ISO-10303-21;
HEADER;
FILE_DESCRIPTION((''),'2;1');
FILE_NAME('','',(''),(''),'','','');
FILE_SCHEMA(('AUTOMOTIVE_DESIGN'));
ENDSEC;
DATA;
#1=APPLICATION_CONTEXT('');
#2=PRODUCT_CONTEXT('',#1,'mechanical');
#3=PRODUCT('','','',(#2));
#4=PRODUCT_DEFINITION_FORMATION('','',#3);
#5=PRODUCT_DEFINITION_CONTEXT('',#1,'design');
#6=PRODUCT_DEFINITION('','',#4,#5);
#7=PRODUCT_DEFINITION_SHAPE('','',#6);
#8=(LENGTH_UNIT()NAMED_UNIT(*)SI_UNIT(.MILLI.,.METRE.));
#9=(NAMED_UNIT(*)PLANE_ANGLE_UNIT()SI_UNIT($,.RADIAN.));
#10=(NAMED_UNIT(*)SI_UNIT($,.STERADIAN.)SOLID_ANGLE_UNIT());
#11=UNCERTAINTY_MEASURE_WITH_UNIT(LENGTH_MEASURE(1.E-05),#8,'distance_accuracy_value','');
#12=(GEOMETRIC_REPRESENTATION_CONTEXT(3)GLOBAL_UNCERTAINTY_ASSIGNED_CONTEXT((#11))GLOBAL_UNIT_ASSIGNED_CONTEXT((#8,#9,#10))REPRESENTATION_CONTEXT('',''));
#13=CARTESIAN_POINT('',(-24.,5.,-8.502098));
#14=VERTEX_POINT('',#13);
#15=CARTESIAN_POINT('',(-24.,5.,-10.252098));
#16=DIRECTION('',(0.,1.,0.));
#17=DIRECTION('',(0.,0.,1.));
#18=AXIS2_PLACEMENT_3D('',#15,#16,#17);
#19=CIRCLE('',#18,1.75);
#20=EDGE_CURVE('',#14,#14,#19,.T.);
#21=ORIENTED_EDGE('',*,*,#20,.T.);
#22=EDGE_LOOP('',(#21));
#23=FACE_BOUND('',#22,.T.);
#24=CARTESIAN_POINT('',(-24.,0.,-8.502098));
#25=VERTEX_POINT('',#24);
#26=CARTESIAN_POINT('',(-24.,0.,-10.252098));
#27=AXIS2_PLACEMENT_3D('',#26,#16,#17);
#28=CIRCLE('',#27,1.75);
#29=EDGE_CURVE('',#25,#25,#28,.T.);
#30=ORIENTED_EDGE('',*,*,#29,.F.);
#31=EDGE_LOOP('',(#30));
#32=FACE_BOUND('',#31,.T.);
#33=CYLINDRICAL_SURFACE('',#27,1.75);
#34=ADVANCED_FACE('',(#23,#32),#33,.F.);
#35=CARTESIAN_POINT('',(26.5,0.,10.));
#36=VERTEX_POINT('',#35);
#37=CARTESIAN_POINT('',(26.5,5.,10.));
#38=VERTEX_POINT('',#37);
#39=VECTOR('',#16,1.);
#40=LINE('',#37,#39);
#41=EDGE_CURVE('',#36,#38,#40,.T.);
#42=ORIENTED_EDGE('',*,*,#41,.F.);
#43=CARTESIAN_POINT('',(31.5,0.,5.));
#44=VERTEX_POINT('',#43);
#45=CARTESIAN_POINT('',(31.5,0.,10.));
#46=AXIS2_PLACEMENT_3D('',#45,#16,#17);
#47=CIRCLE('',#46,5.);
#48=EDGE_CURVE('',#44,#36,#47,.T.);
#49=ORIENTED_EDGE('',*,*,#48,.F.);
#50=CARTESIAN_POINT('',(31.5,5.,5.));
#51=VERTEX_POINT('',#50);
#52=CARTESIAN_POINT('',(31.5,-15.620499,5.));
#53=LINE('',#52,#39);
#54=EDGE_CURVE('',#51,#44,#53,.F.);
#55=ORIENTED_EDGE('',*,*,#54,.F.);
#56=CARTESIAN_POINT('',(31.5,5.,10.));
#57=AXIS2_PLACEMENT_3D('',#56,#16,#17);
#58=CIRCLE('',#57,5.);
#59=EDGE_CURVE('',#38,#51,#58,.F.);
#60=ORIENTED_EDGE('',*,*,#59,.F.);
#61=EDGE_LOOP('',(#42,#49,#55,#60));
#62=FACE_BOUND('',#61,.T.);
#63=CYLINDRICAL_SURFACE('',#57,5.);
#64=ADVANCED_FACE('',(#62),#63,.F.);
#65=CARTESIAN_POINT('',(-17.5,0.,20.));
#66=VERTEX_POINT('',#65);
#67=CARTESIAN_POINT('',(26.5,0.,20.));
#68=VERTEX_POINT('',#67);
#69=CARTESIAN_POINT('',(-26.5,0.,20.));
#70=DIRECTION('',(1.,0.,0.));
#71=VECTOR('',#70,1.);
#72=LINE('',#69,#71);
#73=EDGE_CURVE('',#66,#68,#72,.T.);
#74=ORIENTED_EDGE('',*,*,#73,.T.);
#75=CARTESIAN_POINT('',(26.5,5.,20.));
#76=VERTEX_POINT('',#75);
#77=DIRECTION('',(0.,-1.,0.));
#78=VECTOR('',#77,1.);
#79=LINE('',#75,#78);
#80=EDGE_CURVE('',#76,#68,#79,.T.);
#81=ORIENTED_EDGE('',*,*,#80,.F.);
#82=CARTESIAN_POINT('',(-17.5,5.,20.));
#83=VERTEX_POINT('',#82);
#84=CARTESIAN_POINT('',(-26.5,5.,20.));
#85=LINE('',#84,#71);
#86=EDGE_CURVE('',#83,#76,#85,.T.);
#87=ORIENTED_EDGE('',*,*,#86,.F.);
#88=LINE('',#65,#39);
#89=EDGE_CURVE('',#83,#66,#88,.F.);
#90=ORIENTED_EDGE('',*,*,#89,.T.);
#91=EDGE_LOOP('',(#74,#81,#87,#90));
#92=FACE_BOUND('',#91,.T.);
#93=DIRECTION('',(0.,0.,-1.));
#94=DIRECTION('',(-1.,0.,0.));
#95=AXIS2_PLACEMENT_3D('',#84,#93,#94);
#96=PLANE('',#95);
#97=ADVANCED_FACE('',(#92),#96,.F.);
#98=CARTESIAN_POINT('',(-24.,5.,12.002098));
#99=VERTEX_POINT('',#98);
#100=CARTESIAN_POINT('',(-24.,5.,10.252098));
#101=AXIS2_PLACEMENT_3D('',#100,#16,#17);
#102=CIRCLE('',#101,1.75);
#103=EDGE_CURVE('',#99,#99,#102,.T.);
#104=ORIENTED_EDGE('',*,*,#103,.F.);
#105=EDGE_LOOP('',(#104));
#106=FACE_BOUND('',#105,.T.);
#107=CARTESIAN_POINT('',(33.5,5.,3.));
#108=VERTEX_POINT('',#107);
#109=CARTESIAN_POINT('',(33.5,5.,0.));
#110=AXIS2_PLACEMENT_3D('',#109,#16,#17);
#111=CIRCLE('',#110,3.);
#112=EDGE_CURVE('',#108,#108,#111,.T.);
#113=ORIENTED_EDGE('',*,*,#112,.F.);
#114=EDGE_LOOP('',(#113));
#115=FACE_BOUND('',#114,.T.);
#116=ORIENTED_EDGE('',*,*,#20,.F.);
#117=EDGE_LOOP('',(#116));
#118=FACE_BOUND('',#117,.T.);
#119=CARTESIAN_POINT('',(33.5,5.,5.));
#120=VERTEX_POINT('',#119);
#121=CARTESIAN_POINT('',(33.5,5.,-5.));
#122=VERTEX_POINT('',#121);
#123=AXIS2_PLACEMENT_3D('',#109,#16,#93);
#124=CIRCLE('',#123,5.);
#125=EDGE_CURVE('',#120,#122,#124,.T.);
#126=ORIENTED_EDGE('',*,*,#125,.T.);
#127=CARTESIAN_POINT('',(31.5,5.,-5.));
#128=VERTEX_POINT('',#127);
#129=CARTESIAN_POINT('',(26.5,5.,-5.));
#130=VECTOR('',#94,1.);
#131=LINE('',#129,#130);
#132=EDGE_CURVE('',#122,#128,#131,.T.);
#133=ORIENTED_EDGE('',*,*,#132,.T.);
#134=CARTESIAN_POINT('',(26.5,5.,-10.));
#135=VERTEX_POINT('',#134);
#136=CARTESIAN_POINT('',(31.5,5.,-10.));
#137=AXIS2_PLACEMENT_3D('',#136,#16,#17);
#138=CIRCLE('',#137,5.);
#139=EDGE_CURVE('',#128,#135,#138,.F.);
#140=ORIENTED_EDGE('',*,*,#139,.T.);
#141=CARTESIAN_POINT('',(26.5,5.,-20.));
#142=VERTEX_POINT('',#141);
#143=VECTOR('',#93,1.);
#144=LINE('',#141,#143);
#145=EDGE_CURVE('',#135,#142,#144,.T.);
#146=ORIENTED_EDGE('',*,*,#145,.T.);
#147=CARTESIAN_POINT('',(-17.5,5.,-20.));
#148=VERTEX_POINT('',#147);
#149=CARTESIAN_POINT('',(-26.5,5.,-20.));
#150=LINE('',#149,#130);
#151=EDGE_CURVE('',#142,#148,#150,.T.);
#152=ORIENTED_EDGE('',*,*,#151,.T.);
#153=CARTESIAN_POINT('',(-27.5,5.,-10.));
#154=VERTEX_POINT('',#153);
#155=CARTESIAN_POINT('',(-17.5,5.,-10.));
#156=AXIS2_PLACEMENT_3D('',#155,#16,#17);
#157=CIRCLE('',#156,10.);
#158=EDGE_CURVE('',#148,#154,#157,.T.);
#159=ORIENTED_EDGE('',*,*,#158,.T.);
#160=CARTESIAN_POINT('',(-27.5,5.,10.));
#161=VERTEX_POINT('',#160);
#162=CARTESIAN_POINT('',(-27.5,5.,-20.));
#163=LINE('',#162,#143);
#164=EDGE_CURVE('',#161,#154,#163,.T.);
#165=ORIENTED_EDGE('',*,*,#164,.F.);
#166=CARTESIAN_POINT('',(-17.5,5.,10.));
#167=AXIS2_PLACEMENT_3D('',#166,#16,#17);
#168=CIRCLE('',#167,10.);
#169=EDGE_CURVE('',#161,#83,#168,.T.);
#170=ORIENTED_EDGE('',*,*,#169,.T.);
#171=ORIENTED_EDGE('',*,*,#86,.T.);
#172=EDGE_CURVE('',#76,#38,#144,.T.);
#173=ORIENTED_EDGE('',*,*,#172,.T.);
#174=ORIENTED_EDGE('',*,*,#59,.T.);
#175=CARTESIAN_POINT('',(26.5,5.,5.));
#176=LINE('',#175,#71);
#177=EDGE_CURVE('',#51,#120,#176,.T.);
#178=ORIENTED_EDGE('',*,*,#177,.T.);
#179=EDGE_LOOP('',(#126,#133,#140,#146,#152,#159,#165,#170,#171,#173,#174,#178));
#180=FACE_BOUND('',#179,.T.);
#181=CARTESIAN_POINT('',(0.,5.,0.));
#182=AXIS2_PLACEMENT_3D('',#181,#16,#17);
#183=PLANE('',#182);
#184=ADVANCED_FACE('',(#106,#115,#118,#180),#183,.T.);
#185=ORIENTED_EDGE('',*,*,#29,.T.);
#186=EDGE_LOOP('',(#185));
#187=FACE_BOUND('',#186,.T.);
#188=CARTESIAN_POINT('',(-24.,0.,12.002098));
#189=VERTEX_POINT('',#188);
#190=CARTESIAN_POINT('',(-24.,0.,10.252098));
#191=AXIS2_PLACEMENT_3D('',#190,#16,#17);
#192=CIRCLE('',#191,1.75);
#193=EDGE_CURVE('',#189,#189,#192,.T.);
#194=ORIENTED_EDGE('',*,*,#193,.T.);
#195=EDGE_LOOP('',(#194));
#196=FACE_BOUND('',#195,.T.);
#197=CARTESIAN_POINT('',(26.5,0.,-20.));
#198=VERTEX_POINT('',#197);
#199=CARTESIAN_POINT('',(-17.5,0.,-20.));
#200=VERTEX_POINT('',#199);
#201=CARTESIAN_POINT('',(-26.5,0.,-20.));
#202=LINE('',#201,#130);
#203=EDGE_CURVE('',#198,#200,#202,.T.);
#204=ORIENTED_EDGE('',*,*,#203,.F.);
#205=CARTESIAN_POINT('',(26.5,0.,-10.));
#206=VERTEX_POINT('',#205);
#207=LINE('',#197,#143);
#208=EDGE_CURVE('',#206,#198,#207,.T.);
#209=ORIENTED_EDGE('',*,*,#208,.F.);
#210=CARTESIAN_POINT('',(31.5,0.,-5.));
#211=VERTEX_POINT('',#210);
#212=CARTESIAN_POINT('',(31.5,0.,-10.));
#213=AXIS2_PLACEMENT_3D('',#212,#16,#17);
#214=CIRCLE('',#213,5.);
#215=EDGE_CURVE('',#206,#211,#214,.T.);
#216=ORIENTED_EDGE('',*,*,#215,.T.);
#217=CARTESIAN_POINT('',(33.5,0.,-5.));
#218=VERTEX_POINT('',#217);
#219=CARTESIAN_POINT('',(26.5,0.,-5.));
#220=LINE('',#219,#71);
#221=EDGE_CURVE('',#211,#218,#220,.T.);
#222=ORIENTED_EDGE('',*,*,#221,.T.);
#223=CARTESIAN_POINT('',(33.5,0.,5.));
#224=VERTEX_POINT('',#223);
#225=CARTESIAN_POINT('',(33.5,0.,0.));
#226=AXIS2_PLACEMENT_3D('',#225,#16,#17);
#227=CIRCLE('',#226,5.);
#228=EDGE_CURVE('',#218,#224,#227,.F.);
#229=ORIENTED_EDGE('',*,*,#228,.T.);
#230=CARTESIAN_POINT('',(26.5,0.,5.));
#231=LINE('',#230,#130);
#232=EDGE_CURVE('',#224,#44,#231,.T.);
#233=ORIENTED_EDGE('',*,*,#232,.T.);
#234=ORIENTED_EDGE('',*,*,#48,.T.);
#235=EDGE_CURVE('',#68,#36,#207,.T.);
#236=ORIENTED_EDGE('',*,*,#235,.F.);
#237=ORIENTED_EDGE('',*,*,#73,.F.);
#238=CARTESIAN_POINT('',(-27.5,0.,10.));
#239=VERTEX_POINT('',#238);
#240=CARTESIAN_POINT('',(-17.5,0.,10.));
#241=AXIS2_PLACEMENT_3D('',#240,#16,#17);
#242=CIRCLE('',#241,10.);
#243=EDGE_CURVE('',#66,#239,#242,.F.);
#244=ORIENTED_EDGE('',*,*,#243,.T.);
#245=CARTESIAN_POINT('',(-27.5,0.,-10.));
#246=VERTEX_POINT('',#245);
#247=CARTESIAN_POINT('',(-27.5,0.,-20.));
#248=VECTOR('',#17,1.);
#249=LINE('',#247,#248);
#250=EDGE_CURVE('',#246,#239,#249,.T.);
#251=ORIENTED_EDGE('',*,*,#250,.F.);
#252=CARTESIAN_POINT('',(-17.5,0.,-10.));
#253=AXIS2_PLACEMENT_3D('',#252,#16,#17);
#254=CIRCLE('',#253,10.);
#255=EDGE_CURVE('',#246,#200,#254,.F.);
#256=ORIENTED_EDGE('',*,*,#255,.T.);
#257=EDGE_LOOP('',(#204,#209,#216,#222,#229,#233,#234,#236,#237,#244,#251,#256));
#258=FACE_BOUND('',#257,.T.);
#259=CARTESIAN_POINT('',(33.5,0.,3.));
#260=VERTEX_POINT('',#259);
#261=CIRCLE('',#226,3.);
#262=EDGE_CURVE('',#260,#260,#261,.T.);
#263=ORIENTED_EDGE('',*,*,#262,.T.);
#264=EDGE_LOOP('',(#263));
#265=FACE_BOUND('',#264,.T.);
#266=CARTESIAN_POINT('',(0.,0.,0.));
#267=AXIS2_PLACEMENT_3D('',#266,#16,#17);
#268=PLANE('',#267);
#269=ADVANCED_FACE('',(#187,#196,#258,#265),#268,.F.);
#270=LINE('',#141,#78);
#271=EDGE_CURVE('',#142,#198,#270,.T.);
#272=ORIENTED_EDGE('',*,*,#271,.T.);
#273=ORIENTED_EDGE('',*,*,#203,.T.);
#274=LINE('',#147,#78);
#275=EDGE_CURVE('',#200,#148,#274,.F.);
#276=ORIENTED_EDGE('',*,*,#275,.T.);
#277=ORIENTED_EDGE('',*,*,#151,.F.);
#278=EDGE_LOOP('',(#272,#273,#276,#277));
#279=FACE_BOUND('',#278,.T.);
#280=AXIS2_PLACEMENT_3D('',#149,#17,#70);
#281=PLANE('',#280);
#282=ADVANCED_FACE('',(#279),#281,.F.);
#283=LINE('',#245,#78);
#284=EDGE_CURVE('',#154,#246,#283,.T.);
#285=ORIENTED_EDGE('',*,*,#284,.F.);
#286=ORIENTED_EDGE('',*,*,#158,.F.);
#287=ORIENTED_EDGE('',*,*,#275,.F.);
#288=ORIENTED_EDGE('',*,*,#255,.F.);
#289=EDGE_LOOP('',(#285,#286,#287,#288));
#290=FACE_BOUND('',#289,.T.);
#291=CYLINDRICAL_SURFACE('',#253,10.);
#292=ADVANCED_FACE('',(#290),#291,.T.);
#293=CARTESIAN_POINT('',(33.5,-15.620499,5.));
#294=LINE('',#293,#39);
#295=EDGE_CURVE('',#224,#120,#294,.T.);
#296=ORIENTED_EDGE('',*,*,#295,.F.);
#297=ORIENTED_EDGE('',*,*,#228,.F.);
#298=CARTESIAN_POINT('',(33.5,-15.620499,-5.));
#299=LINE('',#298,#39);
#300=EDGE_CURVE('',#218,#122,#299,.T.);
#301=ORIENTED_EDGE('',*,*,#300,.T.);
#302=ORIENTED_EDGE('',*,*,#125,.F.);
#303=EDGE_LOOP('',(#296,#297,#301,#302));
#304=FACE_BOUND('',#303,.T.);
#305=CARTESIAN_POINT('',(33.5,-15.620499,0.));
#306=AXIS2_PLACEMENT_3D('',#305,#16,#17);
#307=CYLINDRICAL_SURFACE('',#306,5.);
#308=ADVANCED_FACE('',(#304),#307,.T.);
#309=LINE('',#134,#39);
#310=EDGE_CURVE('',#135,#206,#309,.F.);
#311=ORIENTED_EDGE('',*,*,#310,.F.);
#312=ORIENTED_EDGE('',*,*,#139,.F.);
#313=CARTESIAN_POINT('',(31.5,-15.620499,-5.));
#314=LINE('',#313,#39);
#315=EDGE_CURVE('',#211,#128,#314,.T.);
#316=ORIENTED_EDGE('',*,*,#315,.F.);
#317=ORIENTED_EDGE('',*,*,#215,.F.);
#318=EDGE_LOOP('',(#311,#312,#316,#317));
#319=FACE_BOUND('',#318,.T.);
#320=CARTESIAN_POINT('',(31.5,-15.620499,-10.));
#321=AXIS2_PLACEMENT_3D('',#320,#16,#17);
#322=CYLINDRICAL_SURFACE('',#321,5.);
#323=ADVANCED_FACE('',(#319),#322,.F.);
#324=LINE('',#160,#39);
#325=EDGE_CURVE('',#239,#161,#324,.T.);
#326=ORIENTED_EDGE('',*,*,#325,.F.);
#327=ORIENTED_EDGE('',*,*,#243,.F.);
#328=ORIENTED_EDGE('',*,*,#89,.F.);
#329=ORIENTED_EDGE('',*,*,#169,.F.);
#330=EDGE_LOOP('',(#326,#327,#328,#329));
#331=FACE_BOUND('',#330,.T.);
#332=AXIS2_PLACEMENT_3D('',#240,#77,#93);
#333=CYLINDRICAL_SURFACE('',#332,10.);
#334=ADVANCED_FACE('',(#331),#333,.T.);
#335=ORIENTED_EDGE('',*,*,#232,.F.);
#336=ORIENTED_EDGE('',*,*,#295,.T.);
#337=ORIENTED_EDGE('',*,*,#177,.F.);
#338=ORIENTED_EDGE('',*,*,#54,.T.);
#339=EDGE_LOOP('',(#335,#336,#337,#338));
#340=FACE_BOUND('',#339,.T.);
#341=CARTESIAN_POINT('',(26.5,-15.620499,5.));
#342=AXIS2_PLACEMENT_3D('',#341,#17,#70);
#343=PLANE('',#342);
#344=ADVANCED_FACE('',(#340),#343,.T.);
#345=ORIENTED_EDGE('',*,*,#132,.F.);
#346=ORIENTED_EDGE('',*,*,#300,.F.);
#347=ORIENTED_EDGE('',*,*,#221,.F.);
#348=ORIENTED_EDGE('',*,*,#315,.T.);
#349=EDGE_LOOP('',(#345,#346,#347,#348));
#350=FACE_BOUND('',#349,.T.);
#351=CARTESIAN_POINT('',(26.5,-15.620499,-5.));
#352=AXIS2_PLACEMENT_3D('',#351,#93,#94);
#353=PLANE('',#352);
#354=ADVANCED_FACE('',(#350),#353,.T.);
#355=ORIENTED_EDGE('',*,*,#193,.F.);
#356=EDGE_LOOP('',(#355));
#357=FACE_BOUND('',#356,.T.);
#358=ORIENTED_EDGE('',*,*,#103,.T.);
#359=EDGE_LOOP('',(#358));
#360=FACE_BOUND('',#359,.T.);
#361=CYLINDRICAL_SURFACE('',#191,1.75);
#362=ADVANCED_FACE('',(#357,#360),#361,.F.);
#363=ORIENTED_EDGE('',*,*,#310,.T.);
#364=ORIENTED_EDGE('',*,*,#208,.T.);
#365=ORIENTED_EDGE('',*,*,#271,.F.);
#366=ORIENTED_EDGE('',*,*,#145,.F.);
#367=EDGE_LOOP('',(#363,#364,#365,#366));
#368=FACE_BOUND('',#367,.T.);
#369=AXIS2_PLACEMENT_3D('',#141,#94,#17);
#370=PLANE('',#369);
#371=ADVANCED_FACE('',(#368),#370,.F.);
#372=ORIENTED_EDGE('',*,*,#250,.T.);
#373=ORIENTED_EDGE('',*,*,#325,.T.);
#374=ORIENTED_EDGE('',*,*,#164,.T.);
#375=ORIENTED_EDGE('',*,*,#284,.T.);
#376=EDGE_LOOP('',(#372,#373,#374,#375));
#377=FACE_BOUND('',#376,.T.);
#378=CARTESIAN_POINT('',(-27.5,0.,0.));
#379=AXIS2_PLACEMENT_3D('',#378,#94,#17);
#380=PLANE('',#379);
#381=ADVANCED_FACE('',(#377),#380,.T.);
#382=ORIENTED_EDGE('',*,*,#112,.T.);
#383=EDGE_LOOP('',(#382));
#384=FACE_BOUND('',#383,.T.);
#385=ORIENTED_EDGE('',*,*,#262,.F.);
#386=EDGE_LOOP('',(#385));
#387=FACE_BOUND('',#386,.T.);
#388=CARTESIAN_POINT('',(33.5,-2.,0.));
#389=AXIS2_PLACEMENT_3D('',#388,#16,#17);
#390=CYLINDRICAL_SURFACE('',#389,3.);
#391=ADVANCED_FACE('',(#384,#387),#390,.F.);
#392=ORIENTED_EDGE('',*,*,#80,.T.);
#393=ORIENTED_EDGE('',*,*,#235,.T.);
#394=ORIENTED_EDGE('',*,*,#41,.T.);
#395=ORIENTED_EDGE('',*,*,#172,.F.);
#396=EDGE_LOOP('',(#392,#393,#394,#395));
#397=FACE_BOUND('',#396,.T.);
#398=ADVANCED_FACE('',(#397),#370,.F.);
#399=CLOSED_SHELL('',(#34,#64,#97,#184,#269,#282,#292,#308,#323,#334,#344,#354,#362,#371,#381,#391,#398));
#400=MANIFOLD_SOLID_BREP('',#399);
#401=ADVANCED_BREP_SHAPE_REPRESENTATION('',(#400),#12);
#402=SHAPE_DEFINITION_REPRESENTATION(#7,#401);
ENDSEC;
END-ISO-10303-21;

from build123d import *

# Parameters (mm, degrees)
SKETCH1_W           = 53
SKETCH1_H           = 40
BOSS_EXTRUDE1_DEPTH = 5
SKETCH2_R           = 1.75
CUT_EXTRUDE1_DEPTH  = 5
SKETCH3_W           = 40
SKETCH3_H           = 5
BOSS_EXTRUDE2_DEPTH = 1
FILLET2_R           = 10
BOSS_EXTRUDE3_DEPTH = 5
SKETCH5_R           = 3
CUT_EXTRUDE2_DEPTH  = 7
FILLET3_R           = 5


with BuildPart() as part:
    # Sketch1 → Boss-Extrude1 (new body)
    with BuildSketch(Plane(origin=(0, 0, 0), x_dir=(1, 0, 0), z_dir=(0, 1, 0))):
        Rectangle(SKETCH1_W, SKETCH1_H)
    extrude(amount=BOSS_EXTRUDE1_DEPTH)

    # Sketch2 → Cut-Extrude1 (cut)
    with BuildSketch(Plane(origin=(0, 5, 0), x_dir=(1, 0, 0), z_dir=(0, 1, 0))):
        with Locations(Location((-24, 10.252098, 0), (0, 0, 270))):
            Circle(SKETCH2_R)
        with Locations(Location((-24, -10.252098, 0), (0, 0, 270))):
            Circle(SKETCH2_R)
    extrude(amount=-CUT_EXTRUDE1_DEPTH, mode=Mode.SUBTRACT)

    # Sketch3 → Boss-Extrude2 (add)
    with BuildSketch(Plane.ZY.offset(26.5)):
        with Locations((0, 2.5)):
            Rectangle(SKETCH3_W, SKETCH3_H)
    extrude(amount=BOSS_EXTRUDE2_DEPTH)

    # Fillet2
    fillet2_edges = [part.edges().sort_by_distance(p)[0] for p in [
        (-27.5, 2.5, -20),
        (-27.5, 2.5, 20),
    ]]
    fillet(fillet2_edges, radius=FILLET2_R)

    # Sketch4 → Boss-Extrude3 (add)
    with BuildSketch(Plane(origin=(0, 5, 0), x_dir=(1, 0, 0), z_dir=(0, 1, 0))):
        with BuildLine():
            Line((26.5, 5), (33.5, 5))
            ThreePointArc((33.5, 5), (38.5, 0), (33.5, -5))
            Line((33.5, -5), (26.5, -5))
            Line((26.5, -5), (26.5, 5))
        make_face()
    extrude(amount=-BOSS_EXTRUDE3_DEPTH)

    # Sketch5 → Cut-Extrude2 (cut)
    with BuildSketch(Plane(origin=(0, 5, 0), x_dir=(1, 0, 0), z_dir=(0, 1, 0))):
        with Locations(Location((33.5, 0, 0), (0, 0, 270))):
            Circle(SKETCH5_R)
    extrude(amount=-CUT_EXTRUDE2_DEPTH, mode=Mode.SUBTRACT)

    # Fillet3
    fillet3_edges = [part.edges().sort_by_distance(p)[0] for p in [
        (26.5, 2.5, 5),
        (26.5, 2.5, -5),
    ]]
    fillet(fillet3_edges, radius=FILLET3_R)


solid = part.part
